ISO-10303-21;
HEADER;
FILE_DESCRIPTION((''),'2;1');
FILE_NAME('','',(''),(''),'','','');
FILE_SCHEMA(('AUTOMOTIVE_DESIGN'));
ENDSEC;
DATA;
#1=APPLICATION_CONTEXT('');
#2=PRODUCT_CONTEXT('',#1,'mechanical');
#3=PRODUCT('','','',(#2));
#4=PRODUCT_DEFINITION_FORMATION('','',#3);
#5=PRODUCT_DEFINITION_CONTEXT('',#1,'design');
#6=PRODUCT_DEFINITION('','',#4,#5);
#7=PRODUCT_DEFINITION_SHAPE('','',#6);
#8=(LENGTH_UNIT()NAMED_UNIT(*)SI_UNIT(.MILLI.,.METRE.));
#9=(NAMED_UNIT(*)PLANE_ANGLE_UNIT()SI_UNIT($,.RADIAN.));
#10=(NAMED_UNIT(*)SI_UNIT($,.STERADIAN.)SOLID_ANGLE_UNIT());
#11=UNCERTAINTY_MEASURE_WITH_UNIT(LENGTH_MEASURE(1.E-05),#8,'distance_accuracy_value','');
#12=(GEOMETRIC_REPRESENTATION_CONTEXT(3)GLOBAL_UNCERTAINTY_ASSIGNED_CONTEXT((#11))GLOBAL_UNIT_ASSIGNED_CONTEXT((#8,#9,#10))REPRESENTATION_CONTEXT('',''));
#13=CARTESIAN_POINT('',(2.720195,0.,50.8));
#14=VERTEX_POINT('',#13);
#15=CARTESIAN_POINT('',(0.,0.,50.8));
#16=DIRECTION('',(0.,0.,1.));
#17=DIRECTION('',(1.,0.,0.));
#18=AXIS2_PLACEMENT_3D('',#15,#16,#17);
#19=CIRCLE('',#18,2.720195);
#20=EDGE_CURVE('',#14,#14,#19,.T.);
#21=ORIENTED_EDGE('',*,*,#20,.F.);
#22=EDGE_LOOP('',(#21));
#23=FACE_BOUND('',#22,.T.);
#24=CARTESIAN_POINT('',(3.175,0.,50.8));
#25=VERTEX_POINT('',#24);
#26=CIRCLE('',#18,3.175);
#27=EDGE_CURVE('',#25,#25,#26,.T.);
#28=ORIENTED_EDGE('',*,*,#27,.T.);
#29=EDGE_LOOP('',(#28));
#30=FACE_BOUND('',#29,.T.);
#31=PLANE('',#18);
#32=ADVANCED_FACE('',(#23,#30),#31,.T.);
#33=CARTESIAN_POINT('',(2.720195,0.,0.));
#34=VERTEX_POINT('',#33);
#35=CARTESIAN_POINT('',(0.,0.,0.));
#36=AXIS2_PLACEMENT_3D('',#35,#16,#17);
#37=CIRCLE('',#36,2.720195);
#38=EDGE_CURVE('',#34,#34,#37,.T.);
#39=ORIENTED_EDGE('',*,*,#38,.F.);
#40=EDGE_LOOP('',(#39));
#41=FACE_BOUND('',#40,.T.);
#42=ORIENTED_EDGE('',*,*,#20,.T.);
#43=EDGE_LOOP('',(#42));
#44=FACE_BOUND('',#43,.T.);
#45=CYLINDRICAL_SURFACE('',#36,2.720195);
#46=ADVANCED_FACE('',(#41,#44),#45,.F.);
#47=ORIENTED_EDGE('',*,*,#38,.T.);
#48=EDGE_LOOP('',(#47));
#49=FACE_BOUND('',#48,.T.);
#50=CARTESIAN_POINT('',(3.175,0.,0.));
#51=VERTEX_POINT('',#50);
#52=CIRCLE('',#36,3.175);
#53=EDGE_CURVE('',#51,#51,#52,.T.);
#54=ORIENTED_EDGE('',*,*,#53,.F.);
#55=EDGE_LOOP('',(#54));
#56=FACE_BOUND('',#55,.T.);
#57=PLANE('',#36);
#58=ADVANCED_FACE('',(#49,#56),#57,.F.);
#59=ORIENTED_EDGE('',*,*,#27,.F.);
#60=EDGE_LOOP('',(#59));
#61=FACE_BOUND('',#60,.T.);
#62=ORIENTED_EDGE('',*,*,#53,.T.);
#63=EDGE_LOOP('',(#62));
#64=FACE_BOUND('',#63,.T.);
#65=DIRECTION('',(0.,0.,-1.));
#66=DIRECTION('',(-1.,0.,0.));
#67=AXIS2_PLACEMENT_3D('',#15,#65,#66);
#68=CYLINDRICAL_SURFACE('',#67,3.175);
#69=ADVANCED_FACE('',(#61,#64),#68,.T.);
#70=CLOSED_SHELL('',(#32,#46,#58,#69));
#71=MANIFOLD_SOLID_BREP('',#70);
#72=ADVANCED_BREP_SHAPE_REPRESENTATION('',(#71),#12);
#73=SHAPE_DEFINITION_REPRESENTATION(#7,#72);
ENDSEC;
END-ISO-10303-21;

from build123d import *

# Parameters (mm, degrees)
SKETCH1_R           = 3.175
BOSS_EXTRUDE1_DEPTH = 50.8
SKETCH2_R           = 2.720195111
CUT_EXTRUDE1_DEPTH  = 50.8


with BuildPart() as part:
    # Sketch1 → Boss-Extrude1 (new body)
    with BuildSketch(Plane.XY):
        Circle(SKETCH1_R)
    extrude(amount=BOSS_EXTRUDE1_DEPTH)

    # Sketch2 → Cut-Extrude1 (cut)
    with BuildSketch(Plane.XY.offset(50.8)):
        Circle(SKETCH2_R)
    extrude(amount=-CUT_EXTRUDE1_DEPTH, mode=Mode.SUBTRACT)


solid = part.part
